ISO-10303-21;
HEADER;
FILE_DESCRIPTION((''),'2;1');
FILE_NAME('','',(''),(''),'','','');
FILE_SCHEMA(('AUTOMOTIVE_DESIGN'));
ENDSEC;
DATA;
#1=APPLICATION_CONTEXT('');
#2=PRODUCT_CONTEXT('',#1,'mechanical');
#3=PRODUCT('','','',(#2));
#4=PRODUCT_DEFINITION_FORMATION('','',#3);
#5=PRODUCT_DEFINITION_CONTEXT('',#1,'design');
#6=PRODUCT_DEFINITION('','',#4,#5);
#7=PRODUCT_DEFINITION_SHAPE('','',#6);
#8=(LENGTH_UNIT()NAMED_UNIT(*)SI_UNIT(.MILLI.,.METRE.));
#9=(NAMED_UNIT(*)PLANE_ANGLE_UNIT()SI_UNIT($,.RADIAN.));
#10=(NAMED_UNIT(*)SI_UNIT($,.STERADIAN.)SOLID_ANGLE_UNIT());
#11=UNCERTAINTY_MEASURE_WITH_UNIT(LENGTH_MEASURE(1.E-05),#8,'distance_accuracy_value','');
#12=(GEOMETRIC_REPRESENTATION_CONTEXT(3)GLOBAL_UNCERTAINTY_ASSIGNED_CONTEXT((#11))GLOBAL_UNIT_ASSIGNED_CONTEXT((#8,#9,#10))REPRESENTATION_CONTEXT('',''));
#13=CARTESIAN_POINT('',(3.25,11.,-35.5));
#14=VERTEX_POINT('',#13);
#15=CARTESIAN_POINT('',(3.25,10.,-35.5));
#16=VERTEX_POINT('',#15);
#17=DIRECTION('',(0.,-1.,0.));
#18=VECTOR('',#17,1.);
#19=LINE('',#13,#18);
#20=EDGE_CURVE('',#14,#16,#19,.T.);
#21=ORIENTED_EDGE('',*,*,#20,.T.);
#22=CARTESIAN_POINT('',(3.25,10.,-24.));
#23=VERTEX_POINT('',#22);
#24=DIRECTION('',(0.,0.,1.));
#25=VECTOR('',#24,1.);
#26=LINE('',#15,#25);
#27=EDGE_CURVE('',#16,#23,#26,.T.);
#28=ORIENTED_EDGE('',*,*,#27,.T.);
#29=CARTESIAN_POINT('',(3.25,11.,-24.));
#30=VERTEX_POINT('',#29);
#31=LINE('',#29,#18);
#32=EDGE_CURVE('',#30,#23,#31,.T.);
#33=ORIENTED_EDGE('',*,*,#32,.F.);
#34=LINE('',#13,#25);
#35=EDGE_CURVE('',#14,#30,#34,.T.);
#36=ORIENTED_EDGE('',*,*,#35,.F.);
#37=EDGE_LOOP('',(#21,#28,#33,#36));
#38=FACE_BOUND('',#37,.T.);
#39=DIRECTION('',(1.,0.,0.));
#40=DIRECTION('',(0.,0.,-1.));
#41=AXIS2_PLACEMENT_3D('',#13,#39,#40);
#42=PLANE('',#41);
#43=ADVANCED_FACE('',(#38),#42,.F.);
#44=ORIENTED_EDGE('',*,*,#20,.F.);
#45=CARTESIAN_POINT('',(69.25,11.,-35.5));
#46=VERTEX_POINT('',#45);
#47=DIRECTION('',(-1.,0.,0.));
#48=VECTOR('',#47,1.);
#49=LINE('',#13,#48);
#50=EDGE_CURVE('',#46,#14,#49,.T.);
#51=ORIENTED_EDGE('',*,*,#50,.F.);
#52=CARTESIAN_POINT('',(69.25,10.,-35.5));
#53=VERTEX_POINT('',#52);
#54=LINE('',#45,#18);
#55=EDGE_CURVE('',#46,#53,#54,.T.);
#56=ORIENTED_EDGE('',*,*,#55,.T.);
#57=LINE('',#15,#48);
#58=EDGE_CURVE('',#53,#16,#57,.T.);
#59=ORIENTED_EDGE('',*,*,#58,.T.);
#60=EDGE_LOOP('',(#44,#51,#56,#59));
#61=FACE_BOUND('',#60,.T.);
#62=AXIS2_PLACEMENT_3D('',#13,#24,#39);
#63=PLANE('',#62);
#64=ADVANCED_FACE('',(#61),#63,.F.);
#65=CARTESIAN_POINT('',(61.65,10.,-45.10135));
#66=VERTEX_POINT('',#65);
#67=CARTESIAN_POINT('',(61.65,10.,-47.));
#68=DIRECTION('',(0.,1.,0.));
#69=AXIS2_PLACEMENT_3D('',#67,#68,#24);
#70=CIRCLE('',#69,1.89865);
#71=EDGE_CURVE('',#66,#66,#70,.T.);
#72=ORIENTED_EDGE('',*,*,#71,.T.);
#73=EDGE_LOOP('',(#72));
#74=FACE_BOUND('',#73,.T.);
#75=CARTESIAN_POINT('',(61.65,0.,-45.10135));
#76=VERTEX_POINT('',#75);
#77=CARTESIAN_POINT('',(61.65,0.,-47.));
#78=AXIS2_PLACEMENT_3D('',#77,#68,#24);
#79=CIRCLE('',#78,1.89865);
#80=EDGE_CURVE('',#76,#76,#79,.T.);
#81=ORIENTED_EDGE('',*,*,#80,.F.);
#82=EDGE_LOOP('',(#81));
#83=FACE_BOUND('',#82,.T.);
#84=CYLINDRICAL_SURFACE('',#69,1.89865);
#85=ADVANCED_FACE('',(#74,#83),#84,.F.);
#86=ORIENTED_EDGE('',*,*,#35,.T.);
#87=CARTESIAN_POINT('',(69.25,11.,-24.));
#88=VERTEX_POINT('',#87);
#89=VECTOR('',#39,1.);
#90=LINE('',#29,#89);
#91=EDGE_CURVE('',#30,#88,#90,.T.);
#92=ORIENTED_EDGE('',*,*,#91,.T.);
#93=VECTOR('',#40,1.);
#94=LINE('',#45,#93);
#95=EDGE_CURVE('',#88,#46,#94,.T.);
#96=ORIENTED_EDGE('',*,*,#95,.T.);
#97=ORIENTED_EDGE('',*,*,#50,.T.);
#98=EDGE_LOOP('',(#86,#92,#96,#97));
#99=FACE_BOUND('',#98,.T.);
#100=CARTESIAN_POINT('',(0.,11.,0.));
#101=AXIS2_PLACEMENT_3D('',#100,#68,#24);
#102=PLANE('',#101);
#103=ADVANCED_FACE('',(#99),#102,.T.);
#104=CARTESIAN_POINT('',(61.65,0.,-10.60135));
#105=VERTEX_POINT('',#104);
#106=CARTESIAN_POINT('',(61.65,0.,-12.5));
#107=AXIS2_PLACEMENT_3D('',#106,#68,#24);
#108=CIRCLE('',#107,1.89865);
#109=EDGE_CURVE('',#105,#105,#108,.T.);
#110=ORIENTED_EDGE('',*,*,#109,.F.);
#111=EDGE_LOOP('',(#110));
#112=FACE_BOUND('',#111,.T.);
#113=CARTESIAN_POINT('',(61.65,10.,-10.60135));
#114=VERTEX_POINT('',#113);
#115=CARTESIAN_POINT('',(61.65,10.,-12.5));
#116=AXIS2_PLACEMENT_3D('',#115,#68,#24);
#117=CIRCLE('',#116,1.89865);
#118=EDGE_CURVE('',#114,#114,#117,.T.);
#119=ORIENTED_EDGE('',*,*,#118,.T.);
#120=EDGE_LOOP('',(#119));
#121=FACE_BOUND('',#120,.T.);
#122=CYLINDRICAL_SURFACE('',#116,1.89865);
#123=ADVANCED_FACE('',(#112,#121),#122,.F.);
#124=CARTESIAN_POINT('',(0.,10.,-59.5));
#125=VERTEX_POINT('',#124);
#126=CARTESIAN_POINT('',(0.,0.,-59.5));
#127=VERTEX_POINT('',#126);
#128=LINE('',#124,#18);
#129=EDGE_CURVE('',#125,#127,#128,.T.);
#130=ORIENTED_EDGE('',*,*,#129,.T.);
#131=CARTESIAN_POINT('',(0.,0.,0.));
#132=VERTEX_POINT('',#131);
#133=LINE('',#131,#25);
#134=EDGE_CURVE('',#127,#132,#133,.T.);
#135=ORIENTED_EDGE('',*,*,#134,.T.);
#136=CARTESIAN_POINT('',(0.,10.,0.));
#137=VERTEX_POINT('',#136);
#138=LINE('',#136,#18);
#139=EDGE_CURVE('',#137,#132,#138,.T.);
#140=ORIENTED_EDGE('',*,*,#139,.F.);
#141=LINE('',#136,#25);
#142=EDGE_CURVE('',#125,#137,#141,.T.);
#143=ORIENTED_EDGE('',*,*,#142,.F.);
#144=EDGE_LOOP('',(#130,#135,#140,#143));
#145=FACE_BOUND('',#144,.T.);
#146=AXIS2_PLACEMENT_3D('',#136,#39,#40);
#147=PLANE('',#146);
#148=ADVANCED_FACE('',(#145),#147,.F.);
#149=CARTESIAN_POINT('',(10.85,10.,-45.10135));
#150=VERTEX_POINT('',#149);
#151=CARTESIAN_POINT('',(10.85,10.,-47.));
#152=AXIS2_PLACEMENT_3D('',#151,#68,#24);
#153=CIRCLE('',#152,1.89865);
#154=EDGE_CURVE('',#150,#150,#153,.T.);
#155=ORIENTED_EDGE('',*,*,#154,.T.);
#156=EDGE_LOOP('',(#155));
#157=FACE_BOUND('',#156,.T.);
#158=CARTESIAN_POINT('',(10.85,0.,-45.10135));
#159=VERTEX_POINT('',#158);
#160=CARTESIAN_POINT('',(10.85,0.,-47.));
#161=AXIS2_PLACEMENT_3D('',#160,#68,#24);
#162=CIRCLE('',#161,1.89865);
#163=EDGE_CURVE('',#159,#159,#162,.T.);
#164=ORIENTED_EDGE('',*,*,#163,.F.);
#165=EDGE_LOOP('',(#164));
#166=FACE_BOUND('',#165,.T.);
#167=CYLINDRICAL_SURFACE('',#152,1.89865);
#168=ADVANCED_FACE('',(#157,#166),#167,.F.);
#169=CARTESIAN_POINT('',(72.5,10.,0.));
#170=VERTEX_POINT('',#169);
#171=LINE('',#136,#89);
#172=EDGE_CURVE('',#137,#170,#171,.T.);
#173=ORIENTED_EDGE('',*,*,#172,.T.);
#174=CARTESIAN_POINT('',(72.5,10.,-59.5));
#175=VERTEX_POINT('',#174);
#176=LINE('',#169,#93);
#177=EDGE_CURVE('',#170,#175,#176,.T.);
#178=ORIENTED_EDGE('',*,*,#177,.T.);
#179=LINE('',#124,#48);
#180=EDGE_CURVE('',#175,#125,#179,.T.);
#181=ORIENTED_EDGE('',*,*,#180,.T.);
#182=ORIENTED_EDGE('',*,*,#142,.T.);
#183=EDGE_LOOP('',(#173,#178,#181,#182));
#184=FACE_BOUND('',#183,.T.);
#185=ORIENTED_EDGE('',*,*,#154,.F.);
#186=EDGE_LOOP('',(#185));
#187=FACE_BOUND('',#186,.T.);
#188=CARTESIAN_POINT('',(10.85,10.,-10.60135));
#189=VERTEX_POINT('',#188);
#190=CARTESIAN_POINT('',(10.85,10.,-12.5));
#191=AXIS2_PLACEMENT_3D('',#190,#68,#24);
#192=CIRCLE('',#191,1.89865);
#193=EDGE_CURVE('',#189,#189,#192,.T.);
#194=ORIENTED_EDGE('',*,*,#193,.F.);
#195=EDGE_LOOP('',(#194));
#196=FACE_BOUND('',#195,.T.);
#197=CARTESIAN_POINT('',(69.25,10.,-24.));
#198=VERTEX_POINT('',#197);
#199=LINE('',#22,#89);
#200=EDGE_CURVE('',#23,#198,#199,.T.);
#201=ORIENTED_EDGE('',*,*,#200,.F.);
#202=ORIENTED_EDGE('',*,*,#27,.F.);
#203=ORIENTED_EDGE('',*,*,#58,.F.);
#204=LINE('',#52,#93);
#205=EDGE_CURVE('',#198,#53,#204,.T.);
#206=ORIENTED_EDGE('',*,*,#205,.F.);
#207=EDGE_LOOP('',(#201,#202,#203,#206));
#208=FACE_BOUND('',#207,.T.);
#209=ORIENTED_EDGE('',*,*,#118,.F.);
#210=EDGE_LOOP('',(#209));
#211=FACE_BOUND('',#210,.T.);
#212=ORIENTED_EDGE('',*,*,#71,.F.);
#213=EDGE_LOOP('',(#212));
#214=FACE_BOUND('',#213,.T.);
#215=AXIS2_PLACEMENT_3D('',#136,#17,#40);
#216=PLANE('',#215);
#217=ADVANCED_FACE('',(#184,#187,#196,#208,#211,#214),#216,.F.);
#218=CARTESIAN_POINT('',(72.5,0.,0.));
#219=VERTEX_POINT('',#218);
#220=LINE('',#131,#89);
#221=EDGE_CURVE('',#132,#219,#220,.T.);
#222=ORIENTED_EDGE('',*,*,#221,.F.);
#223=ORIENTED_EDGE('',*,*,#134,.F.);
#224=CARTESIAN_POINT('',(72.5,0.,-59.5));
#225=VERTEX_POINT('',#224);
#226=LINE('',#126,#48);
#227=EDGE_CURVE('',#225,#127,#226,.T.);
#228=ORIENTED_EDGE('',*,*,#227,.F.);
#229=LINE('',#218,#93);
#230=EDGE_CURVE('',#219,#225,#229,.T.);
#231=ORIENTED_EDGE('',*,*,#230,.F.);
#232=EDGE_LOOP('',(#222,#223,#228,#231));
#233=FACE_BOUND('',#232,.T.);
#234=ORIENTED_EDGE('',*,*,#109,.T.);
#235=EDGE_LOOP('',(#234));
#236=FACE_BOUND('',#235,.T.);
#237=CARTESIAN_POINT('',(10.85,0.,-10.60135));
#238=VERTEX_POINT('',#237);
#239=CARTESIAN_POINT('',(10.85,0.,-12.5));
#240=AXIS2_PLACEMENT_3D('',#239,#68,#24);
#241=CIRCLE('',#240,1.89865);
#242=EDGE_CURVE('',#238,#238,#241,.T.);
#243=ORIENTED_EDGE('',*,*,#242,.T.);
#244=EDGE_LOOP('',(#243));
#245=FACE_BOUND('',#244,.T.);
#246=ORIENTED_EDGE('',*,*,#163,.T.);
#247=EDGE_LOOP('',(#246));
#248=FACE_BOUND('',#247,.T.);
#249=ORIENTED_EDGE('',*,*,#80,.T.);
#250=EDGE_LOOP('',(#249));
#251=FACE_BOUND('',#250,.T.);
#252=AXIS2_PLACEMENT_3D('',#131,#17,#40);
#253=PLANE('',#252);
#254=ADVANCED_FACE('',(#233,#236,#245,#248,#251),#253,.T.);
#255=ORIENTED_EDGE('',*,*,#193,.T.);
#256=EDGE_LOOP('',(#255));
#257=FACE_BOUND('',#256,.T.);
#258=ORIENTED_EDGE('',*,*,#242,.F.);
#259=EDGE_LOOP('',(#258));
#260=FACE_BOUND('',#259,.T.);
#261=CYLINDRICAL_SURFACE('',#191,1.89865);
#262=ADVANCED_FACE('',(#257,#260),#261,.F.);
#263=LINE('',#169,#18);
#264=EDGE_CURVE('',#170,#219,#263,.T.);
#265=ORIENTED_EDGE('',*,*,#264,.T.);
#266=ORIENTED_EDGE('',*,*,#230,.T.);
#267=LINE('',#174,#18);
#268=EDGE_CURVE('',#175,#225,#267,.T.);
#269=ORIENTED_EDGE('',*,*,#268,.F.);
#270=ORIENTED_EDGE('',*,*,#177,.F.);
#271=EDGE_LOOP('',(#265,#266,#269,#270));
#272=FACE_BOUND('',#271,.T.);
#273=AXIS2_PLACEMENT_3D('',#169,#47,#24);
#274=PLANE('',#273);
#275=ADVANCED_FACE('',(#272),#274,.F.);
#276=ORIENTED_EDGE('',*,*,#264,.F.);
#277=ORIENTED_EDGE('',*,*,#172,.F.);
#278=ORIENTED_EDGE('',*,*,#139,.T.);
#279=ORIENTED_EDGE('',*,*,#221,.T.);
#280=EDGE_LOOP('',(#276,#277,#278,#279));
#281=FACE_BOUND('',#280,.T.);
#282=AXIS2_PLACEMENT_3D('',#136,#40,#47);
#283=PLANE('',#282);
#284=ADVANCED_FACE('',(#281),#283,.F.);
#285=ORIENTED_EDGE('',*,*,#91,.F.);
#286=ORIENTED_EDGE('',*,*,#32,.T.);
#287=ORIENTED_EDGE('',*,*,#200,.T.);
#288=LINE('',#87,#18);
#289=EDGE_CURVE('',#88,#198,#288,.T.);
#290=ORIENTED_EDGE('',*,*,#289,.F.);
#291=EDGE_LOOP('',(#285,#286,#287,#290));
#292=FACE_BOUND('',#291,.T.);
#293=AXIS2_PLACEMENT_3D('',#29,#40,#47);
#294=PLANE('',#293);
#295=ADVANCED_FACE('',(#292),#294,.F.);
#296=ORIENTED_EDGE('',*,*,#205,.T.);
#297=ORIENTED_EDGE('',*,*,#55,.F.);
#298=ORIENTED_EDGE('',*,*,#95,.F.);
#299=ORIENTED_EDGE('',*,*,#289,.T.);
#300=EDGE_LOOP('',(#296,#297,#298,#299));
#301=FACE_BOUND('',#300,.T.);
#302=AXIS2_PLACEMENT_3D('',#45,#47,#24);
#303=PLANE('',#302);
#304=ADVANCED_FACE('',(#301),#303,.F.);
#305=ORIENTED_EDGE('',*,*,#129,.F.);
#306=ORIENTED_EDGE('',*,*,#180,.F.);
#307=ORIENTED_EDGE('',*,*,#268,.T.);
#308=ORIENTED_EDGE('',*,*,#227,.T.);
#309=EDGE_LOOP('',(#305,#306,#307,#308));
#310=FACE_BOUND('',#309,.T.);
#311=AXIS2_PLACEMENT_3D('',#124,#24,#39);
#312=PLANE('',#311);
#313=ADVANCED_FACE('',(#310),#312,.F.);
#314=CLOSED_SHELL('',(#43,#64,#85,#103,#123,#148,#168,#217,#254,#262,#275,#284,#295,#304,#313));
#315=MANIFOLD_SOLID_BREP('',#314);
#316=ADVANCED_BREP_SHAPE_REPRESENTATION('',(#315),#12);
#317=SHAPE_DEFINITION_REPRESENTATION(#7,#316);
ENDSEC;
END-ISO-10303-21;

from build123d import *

# Parameters (mm, degrees)
SKETCH1_W                  = 72.5
SKETCH1_H                  = 59.5
BOSS_EXTRUDE1_DEPTH        = 10
SKETCH4_W                  = 66
SKETCH4_H                  = 11.5
BOSS_EXTRUDE3_DEPTH        = 1
TAP_DRILL_FOR_10_24_TAP1_D = 3.7973


with BuildPart() as part:
    # Sketch1 → Boss-Extrude1 (new body)
    with BuildSketch(Plane(origin=(0, 0, 0), x_dir=(1, 0, 0), z_dir=(0, 1, 0))):
        with Locations((36.25, 29.75)):
            Rectangle(SKETCH1_W, SKETCH1_H)
    extrude(amount=BOSS_EXTRUDE1_DEPTH)

    # Sketch4 → Boss-Extrude3 (add)
    with BuildSketch(Plane(origin=(0, 10, 0), x_dir=(1, 0, 0), z_dir=(0, 1, 0))):
        with Locations((36.25, 29.75)):
            Rectangle(SKETCH4_W, SKETCH4_H)
    extrude(amount=BOSS_EXTRUDE3_DEPTH)

    # Tap Drill for #10-24 Tap1 (through all)
    with Locations(Plane(origin=(0, 10, 0), x_dir=(1, 0, 0), z_dir=(0, 1, 0))):
        with Locations((10.85, 47), (61.65, 47), (10.85, 12.5), (61.65, 12.5)):
            Hole(TAP_DRILL_FOR_10_24_TAP1_D / 2)


solid = part.part
